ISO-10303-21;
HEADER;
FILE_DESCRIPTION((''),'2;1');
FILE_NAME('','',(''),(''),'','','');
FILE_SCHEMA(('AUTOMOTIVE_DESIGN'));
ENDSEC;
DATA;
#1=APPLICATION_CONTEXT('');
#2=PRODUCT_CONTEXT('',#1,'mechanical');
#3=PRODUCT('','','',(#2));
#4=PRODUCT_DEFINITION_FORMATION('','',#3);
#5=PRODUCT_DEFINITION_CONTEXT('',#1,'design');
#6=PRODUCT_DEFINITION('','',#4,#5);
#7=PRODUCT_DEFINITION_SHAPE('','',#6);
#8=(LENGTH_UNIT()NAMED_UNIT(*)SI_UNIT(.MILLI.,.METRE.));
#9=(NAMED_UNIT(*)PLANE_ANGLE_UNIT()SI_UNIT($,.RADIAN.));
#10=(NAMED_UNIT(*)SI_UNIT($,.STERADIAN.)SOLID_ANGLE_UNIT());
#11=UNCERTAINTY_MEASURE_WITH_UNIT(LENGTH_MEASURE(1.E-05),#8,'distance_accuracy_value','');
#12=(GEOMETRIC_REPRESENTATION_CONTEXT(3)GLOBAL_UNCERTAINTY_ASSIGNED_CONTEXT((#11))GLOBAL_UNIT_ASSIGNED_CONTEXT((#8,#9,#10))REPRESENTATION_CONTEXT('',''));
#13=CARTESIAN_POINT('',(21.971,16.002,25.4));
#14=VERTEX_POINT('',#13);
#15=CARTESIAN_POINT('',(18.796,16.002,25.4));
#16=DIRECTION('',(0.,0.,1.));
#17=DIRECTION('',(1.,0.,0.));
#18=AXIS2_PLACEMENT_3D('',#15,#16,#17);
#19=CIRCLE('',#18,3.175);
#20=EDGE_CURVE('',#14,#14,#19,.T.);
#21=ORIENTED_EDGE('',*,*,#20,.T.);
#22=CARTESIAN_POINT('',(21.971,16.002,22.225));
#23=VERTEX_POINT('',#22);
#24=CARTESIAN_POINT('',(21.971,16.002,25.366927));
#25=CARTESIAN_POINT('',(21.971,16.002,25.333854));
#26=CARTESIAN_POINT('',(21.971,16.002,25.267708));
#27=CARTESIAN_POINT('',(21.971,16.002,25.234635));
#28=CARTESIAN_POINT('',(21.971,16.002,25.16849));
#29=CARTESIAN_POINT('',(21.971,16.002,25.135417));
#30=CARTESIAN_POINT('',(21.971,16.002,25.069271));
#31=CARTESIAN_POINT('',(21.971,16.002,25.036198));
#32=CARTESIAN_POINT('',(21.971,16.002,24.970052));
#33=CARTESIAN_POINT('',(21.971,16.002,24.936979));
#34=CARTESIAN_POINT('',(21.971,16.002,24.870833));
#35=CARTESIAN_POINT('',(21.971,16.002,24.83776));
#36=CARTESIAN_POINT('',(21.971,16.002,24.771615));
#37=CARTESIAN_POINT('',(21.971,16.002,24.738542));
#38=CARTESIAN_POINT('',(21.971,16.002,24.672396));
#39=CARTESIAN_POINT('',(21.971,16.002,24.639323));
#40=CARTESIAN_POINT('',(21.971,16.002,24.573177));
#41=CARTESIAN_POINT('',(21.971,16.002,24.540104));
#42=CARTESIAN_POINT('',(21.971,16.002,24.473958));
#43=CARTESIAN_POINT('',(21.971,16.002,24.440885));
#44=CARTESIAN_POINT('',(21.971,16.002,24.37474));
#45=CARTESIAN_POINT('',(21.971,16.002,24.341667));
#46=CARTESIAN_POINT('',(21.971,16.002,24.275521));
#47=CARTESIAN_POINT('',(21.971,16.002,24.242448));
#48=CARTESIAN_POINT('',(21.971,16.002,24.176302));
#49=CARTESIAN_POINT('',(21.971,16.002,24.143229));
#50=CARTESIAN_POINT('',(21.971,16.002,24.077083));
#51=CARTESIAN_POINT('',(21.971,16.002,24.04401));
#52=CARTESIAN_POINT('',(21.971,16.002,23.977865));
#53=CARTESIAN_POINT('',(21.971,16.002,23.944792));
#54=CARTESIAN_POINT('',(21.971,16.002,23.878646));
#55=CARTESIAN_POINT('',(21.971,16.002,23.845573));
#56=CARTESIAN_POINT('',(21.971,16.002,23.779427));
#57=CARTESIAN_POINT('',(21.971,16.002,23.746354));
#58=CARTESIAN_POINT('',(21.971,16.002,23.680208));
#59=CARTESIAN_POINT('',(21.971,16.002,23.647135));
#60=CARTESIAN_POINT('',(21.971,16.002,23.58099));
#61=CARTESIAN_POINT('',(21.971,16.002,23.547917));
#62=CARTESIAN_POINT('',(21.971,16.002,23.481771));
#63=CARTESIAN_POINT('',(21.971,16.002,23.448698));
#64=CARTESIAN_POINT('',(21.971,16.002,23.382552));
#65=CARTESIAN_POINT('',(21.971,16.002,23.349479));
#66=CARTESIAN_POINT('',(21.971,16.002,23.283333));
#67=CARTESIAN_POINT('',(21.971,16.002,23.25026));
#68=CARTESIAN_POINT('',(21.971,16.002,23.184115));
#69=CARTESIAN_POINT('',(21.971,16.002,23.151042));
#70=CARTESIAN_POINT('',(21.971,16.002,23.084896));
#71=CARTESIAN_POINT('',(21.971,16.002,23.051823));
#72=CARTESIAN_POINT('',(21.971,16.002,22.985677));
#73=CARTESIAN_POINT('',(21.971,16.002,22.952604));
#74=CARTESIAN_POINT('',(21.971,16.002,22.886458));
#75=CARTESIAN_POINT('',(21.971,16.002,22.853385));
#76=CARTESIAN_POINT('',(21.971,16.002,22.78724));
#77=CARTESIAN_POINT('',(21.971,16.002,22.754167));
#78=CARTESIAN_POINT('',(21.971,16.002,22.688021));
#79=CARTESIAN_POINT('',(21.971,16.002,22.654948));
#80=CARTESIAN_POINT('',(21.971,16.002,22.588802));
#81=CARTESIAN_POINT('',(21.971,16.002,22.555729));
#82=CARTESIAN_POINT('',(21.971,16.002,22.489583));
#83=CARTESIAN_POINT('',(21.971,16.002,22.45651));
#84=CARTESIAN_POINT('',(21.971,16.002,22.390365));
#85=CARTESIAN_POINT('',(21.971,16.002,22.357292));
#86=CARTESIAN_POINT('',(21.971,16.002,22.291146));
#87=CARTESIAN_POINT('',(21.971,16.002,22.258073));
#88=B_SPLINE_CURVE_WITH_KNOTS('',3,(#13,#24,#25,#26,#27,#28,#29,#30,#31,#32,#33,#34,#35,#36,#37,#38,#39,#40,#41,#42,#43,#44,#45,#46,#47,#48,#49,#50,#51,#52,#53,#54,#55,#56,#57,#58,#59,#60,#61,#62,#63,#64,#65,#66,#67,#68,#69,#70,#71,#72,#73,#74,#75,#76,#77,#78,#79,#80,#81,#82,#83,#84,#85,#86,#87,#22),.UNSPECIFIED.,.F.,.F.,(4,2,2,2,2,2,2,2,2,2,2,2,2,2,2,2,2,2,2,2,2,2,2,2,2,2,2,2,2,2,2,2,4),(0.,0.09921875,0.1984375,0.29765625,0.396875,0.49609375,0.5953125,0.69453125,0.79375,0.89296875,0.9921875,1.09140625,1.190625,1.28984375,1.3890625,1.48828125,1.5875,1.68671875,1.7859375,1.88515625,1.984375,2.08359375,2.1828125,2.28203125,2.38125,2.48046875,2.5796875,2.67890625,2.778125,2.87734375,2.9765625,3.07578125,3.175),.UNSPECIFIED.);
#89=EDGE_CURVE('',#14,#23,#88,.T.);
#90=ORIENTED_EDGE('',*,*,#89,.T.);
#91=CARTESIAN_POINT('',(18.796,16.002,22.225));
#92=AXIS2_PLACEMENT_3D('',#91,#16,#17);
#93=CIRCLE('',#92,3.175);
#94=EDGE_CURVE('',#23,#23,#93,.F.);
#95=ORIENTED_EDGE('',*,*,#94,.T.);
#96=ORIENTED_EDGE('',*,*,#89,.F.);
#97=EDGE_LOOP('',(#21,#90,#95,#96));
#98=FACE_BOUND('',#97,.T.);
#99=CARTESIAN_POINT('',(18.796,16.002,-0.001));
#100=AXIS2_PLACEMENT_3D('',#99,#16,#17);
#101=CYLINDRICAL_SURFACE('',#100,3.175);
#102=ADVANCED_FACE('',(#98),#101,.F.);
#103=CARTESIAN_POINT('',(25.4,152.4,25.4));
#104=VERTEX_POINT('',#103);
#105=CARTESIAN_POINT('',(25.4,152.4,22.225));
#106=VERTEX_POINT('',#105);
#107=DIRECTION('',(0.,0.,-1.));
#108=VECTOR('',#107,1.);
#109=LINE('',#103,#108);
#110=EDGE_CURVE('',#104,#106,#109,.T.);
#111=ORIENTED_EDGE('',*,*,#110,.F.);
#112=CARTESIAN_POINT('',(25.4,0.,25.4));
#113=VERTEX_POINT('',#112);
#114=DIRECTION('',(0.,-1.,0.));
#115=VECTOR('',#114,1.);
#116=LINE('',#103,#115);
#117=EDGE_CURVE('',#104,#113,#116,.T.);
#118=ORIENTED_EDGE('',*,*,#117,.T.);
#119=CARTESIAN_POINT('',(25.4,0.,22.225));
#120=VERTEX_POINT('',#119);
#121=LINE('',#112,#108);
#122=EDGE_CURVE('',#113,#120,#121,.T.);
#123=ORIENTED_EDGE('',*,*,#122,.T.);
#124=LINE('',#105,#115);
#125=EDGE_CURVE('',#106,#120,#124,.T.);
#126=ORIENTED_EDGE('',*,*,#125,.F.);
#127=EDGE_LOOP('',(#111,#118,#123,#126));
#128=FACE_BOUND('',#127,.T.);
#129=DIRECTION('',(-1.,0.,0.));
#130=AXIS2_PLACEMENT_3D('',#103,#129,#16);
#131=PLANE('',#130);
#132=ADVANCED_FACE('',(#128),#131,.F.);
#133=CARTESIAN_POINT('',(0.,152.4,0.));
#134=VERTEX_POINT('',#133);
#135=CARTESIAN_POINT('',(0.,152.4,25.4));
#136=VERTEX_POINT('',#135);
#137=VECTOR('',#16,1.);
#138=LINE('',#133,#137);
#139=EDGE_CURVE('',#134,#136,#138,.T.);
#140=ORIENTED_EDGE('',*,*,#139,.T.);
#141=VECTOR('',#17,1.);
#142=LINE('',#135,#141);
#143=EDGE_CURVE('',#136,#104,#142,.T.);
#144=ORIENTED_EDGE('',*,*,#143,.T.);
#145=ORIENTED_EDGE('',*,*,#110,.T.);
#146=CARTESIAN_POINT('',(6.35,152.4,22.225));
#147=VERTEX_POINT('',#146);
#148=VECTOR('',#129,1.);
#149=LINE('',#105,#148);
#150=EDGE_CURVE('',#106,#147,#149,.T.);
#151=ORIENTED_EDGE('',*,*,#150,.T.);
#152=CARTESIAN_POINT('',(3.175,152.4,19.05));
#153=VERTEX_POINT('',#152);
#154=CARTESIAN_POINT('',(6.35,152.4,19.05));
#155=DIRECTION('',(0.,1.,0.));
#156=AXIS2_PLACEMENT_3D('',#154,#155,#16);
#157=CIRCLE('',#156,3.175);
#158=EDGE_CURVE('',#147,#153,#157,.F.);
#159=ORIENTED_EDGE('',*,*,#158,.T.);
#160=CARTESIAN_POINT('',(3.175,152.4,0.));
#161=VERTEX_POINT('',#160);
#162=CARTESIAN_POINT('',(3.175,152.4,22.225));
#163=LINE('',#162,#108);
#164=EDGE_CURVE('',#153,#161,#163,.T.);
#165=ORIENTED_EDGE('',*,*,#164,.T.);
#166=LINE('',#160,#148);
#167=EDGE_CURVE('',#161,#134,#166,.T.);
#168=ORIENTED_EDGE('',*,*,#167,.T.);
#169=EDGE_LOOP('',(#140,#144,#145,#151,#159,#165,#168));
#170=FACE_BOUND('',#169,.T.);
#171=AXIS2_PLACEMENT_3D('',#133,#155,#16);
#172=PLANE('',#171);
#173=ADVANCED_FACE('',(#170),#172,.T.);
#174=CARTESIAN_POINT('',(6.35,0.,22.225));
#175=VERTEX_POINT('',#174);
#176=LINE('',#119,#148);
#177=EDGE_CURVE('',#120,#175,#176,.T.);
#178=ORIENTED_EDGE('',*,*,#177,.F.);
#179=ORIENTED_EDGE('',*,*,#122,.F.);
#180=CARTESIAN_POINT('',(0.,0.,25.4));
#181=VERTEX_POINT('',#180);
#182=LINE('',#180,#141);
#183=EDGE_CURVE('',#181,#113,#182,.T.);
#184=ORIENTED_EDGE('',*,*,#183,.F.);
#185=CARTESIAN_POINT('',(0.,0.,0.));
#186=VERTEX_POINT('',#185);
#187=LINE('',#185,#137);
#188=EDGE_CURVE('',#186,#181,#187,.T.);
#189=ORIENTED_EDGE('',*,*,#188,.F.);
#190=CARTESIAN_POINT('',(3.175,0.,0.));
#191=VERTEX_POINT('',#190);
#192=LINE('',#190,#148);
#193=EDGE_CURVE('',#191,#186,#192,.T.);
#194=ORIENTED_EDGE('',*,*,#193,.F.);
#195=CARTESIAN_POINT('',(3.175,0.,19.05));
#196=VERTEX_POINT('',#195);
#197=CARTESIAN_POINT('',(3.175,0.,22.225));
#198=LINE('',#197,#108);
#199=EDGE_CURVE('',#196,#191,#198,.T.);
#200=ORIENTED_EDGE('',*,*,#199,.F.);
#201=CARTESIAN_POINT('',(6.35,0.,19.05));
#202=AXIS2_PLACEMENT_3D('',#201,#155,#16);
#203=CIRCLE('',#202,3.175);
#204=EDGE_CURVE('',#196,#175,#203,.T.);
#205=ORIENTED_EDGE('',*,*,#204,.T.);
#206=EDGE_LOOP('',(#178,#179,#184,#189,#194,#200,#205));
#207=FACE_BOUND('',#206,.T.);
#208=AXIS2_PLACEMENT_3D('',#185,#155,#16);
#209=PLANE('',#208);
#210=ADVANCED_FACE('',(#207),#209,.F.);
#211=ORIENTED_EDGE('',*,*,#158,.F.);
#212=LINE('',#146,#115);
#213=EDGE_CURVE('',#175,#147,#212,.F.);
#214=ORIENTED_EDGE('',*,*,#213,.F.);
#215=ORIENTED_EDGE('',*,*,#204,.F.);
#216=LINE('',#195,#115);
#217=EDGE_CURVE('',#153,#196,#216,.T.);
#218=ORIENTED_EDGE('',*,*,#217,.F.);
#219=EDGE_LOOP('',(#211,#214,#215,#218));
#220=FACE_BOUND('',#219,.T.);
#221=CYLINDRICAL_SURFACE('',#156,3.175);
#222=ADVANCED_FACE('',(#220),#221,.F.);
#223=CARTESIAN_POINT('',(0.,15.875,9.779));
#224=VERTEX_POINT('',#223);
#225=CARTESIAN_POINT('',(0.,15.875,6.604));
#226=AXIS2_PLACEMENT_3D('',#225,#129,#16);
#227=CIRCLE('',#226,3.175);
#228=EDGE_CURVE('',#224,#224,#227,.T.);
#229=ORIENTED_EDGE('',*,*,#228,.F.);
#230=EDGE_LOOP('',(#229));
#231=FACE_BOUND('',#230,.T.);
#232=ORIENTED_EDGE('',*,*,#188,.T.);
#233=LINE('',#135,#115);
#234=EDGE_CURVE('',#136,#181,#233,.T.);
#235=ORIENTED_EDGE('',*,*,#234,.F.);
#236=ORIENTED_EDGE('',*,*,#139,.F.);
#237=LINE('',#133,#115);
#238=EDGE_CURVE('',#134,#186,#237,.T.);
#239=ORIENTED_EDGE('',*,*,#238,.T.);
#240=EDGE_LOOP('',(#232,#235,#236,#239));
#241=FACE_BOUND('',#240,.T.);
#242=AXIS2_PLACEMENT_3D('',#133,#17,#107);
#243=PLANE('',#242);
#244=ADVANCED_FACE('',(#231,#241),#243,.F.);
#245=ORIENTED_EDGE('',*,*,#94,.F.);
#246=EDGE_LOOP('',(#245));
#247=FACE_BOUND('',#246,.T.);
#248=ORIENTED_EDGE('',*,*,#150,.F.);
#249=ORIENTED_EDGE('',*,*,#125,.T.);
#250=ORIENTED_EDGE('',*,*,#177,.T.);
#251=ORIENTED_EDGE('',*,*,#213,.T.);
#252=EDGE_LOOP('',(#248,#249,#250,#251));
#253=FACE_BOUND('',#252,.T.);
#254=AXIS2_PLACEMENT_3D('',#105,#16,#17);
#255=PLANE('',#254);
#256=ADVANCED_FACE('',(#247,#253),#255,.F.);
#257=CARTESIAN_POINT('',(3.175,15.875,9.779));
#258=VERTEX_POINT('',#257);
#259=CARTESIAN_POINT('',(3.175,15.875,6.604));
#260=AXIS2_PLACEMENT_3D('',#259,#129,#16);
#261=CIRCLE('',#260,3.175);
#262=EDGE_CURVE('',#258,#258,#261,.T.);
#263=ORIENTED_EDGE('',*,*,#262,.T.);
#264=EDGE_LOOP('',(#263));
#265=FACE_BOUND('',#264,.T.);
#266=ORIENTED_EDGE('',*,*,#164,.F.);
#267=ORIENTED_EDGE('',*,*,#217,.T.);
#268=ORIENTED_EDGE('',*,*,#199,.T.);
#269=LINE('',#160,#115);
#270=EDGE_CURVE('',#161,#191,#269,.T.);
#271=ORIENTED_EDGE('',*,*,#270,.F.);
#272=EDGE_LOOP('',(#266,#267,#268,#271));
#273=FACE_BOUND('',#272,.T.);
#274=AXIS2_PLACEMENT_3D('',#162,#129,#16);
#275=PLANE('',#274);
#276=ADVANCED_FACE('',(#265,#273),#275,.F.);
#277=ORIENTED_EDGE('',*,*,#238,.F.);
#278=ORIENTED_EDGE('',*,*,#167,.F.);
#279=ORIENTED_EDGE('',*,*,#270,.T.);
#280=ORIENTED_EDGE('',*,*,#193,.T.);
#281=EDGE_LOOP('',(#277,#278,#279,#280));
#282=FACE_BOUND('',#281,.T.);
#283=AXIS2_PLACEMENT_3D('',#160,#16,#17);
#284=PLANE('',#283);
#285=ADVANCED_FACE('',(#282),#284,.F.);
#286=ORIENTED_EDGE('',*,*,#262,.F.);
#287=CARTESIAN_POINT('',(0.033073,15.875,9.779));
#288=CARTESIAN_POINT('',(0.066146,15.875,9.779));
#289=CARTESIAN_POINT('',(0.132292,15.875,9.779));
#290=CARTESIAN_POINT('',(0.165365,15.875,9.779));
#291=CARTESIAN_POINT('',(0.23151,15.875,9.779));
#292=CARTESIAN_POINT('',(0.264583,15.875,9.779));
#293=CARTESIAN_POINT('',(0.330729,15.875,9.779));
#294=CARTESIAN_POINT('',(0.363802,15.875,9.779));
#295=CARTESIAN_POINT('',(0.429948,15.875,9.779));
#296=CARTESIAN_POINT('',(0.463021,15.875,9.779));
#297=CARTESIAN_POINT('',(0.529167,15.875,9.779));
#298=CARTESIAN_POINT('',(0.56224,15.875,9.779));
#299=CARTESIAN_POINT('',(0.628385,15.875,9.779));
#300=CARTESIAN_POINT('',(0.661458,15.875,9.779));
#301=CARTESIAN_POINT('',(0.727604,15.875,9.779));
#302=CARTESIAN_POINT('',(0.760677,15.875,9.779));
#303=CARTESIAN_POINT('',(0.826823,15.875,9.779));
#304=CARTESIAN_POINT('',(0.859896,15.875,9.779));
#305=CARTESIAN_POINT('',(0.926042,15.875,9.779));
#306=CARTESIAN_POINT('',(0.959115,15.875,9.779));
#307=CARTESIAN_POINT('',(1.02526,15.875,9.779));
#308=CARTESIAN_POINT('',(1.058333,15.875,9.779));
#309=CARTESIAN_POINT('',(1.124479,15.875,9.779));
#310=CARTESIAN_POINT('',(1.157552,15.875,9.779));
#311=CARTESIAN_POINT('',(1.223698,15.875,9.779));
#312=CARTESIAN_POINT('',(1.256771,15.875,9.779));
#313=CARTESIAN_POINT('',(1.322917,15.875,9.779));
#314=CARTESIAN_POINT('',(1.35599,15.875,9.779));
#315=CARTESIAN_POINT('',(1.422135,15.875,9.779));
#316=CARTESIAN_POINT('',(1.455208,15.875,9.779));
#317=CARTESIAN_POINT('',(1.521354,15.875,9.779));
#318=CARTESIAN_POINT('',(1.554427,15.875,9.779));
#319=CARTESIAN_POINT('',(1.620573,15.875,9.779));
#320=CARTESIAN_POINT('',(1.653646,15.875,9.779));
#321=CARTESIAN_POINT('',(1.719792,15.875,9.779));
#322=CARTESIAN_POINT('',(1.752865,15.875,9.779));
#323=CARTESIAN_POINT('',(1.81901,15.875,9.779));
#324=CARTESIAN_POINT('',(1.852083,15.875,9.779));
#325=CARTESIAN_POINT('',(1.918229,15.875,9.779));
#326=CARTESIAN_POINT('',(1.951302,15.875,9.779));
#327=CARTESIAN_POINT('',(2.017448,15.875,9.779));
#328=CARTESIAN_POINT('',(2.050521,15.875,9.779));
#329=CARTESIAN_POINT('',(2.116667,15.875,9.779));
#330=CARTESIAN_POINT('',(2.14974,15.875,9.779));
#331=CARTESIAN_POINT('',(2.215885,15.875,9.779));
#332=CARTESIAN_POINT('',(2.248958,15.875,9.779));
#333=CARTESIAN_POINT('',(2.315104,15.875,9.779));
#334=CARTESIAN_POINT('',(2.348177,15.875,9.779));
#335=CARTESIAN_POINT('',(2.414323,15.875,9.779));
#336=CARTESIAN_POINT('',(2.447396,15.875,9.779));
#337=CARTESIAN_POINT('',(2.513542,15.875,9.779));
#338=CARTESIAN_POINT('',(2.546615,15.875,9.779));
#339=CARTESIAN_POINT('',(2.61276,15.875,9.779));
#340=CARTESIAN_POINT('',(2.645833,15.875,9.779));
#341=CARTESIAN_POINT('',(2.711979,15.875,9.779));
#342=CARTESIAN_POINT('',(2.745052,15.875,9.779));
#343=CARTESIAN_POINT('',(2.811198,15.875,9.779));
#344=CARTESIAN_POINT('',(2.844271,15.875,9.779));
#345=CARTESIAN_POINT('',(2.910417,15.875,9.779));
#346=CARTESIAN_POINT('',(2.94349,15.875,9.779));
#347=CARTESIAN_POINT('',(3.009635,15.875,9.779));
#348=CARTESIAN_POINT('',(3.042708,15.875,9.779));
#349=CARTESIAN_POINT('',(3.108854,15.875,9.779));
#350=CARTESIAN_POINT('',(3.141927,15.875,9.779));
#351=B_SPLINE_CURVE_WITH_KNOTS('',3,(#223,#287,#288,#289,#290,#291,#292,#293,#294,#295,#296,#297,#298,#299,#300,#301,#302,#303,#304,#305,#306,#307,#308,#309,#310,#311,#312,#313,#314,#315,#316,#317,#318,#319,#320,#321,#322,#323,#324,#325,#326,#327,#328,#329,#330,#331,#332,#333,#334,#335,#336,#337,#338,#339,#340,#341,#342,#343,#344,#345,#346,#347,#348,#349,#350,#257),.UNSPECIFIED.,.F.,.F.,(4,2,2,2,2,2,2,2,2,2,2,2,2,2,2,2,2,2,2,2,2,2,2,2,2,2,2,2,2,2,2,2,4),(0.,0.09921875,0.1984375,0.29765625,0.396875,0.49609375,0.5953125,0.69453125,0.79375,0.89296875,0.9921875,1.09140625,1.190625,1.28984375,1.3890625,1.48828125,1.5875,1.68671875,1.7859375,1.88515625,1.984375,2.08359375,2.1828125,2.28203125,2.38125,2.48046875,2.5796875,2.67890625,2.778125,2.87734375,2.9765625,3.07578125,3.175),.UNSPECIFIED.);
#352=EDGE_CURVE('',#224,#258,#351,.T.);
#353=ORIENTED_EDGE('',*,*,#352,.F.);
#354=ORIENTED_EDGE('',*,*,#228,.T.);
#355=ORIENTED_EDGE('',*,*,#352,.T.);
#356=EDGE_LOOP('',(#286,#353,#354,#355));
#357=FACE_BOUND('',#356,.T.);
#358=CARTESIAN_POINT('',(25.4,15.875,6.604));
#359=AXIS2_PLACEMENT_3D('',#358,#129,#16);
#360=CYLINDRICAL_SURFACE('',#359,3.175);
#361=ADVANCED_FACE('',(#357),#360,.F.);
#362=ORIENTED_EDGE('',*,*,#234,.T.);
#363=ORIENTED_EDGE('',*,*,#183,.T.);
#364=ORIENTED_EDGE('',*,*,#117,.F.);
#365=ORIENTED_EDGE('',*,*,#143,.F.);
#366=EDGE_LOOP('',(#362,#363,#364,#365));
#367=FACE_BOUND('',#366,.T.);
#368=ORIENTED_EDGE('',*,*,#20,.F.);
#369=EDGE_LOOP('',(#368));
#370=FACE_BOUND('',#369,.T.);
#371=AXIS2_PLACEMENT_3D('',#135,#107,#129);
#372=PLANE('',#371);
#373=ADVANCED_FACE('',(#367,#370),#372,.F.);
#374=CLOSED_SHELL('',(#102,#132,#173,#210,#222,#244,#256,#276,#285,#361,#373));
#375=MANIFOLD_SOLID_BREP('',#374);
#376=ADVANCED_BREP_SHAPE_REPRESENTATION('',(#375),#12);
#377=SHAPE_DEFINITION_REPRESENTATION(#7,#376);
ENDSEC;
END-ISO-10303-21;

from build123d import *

# Parameters (mm, degrees)
BOSS_EXTRUDE1_DEPTH = 152.4
FILLET2_R           = 3.175
SKETCH3_R           = 3.175
CUT_EXTRUDE2_DEPTH  = 157.576115675
CUT_EXTRUDE3_REACH  = 158.576
SKETCH4_R           = 3.175


with BuildPart() as part:
    # Sketch1 → Boss-Extrude1 (new body)
    with BuildSketch(Plane(origin=(0, 0, 0), x_dir=(1, 0, 0), z_dir=(0, 1, 0))):
        Polygon((0, 0), (0, -25.4), (25.4, -25.4), (25.4, -22.225), (3.175, -22.225), (3.175, 0), align=None)
    extrude(amount=BOSS_EXTRUDE1_DEPTH)

    # Fillet2
    fillet2_edges = [part.edges().sort_by_distance(p)[0] for p in [
        (3.175, 76.2, 22.225),
    ]]
    fillet(fillet2_edges, radius=FILLET2_R)

    # Sketch3 → Cut-Extrude2 (cut, through all)
    with BuildSketch(Plane.ZY):
        with Locations((6.604, 15.875)):
            Circle(SKETCH3_R)
    extrude(amount=-CUT_EXTRUDE2_DEPTH, mode=Mode.SUBTRACT)

    # Sketch4 → Cut-Extrude3 (cut, up to next)
    with BuildSketch(Plane.XY.offset(25.4), mode=Mode.PRIVATE) as cut_extrude3_sk1:
        with Locations((18.796, 16.002)):
            Circle(SKETCH4_R)
    cut_extrude3_tool1 = extrude(cut_extrude3_sk1.sketch, amount=-CUT_EXTRUDE3_REACH, mode=Mode.PRIVATE) & part.part
    add(cut_extrude3_tool1.solids().sort_by_distance((18.796, 16.002, 25.4))[0], mode=Mode.SUBTRACT)


solid = part.part
